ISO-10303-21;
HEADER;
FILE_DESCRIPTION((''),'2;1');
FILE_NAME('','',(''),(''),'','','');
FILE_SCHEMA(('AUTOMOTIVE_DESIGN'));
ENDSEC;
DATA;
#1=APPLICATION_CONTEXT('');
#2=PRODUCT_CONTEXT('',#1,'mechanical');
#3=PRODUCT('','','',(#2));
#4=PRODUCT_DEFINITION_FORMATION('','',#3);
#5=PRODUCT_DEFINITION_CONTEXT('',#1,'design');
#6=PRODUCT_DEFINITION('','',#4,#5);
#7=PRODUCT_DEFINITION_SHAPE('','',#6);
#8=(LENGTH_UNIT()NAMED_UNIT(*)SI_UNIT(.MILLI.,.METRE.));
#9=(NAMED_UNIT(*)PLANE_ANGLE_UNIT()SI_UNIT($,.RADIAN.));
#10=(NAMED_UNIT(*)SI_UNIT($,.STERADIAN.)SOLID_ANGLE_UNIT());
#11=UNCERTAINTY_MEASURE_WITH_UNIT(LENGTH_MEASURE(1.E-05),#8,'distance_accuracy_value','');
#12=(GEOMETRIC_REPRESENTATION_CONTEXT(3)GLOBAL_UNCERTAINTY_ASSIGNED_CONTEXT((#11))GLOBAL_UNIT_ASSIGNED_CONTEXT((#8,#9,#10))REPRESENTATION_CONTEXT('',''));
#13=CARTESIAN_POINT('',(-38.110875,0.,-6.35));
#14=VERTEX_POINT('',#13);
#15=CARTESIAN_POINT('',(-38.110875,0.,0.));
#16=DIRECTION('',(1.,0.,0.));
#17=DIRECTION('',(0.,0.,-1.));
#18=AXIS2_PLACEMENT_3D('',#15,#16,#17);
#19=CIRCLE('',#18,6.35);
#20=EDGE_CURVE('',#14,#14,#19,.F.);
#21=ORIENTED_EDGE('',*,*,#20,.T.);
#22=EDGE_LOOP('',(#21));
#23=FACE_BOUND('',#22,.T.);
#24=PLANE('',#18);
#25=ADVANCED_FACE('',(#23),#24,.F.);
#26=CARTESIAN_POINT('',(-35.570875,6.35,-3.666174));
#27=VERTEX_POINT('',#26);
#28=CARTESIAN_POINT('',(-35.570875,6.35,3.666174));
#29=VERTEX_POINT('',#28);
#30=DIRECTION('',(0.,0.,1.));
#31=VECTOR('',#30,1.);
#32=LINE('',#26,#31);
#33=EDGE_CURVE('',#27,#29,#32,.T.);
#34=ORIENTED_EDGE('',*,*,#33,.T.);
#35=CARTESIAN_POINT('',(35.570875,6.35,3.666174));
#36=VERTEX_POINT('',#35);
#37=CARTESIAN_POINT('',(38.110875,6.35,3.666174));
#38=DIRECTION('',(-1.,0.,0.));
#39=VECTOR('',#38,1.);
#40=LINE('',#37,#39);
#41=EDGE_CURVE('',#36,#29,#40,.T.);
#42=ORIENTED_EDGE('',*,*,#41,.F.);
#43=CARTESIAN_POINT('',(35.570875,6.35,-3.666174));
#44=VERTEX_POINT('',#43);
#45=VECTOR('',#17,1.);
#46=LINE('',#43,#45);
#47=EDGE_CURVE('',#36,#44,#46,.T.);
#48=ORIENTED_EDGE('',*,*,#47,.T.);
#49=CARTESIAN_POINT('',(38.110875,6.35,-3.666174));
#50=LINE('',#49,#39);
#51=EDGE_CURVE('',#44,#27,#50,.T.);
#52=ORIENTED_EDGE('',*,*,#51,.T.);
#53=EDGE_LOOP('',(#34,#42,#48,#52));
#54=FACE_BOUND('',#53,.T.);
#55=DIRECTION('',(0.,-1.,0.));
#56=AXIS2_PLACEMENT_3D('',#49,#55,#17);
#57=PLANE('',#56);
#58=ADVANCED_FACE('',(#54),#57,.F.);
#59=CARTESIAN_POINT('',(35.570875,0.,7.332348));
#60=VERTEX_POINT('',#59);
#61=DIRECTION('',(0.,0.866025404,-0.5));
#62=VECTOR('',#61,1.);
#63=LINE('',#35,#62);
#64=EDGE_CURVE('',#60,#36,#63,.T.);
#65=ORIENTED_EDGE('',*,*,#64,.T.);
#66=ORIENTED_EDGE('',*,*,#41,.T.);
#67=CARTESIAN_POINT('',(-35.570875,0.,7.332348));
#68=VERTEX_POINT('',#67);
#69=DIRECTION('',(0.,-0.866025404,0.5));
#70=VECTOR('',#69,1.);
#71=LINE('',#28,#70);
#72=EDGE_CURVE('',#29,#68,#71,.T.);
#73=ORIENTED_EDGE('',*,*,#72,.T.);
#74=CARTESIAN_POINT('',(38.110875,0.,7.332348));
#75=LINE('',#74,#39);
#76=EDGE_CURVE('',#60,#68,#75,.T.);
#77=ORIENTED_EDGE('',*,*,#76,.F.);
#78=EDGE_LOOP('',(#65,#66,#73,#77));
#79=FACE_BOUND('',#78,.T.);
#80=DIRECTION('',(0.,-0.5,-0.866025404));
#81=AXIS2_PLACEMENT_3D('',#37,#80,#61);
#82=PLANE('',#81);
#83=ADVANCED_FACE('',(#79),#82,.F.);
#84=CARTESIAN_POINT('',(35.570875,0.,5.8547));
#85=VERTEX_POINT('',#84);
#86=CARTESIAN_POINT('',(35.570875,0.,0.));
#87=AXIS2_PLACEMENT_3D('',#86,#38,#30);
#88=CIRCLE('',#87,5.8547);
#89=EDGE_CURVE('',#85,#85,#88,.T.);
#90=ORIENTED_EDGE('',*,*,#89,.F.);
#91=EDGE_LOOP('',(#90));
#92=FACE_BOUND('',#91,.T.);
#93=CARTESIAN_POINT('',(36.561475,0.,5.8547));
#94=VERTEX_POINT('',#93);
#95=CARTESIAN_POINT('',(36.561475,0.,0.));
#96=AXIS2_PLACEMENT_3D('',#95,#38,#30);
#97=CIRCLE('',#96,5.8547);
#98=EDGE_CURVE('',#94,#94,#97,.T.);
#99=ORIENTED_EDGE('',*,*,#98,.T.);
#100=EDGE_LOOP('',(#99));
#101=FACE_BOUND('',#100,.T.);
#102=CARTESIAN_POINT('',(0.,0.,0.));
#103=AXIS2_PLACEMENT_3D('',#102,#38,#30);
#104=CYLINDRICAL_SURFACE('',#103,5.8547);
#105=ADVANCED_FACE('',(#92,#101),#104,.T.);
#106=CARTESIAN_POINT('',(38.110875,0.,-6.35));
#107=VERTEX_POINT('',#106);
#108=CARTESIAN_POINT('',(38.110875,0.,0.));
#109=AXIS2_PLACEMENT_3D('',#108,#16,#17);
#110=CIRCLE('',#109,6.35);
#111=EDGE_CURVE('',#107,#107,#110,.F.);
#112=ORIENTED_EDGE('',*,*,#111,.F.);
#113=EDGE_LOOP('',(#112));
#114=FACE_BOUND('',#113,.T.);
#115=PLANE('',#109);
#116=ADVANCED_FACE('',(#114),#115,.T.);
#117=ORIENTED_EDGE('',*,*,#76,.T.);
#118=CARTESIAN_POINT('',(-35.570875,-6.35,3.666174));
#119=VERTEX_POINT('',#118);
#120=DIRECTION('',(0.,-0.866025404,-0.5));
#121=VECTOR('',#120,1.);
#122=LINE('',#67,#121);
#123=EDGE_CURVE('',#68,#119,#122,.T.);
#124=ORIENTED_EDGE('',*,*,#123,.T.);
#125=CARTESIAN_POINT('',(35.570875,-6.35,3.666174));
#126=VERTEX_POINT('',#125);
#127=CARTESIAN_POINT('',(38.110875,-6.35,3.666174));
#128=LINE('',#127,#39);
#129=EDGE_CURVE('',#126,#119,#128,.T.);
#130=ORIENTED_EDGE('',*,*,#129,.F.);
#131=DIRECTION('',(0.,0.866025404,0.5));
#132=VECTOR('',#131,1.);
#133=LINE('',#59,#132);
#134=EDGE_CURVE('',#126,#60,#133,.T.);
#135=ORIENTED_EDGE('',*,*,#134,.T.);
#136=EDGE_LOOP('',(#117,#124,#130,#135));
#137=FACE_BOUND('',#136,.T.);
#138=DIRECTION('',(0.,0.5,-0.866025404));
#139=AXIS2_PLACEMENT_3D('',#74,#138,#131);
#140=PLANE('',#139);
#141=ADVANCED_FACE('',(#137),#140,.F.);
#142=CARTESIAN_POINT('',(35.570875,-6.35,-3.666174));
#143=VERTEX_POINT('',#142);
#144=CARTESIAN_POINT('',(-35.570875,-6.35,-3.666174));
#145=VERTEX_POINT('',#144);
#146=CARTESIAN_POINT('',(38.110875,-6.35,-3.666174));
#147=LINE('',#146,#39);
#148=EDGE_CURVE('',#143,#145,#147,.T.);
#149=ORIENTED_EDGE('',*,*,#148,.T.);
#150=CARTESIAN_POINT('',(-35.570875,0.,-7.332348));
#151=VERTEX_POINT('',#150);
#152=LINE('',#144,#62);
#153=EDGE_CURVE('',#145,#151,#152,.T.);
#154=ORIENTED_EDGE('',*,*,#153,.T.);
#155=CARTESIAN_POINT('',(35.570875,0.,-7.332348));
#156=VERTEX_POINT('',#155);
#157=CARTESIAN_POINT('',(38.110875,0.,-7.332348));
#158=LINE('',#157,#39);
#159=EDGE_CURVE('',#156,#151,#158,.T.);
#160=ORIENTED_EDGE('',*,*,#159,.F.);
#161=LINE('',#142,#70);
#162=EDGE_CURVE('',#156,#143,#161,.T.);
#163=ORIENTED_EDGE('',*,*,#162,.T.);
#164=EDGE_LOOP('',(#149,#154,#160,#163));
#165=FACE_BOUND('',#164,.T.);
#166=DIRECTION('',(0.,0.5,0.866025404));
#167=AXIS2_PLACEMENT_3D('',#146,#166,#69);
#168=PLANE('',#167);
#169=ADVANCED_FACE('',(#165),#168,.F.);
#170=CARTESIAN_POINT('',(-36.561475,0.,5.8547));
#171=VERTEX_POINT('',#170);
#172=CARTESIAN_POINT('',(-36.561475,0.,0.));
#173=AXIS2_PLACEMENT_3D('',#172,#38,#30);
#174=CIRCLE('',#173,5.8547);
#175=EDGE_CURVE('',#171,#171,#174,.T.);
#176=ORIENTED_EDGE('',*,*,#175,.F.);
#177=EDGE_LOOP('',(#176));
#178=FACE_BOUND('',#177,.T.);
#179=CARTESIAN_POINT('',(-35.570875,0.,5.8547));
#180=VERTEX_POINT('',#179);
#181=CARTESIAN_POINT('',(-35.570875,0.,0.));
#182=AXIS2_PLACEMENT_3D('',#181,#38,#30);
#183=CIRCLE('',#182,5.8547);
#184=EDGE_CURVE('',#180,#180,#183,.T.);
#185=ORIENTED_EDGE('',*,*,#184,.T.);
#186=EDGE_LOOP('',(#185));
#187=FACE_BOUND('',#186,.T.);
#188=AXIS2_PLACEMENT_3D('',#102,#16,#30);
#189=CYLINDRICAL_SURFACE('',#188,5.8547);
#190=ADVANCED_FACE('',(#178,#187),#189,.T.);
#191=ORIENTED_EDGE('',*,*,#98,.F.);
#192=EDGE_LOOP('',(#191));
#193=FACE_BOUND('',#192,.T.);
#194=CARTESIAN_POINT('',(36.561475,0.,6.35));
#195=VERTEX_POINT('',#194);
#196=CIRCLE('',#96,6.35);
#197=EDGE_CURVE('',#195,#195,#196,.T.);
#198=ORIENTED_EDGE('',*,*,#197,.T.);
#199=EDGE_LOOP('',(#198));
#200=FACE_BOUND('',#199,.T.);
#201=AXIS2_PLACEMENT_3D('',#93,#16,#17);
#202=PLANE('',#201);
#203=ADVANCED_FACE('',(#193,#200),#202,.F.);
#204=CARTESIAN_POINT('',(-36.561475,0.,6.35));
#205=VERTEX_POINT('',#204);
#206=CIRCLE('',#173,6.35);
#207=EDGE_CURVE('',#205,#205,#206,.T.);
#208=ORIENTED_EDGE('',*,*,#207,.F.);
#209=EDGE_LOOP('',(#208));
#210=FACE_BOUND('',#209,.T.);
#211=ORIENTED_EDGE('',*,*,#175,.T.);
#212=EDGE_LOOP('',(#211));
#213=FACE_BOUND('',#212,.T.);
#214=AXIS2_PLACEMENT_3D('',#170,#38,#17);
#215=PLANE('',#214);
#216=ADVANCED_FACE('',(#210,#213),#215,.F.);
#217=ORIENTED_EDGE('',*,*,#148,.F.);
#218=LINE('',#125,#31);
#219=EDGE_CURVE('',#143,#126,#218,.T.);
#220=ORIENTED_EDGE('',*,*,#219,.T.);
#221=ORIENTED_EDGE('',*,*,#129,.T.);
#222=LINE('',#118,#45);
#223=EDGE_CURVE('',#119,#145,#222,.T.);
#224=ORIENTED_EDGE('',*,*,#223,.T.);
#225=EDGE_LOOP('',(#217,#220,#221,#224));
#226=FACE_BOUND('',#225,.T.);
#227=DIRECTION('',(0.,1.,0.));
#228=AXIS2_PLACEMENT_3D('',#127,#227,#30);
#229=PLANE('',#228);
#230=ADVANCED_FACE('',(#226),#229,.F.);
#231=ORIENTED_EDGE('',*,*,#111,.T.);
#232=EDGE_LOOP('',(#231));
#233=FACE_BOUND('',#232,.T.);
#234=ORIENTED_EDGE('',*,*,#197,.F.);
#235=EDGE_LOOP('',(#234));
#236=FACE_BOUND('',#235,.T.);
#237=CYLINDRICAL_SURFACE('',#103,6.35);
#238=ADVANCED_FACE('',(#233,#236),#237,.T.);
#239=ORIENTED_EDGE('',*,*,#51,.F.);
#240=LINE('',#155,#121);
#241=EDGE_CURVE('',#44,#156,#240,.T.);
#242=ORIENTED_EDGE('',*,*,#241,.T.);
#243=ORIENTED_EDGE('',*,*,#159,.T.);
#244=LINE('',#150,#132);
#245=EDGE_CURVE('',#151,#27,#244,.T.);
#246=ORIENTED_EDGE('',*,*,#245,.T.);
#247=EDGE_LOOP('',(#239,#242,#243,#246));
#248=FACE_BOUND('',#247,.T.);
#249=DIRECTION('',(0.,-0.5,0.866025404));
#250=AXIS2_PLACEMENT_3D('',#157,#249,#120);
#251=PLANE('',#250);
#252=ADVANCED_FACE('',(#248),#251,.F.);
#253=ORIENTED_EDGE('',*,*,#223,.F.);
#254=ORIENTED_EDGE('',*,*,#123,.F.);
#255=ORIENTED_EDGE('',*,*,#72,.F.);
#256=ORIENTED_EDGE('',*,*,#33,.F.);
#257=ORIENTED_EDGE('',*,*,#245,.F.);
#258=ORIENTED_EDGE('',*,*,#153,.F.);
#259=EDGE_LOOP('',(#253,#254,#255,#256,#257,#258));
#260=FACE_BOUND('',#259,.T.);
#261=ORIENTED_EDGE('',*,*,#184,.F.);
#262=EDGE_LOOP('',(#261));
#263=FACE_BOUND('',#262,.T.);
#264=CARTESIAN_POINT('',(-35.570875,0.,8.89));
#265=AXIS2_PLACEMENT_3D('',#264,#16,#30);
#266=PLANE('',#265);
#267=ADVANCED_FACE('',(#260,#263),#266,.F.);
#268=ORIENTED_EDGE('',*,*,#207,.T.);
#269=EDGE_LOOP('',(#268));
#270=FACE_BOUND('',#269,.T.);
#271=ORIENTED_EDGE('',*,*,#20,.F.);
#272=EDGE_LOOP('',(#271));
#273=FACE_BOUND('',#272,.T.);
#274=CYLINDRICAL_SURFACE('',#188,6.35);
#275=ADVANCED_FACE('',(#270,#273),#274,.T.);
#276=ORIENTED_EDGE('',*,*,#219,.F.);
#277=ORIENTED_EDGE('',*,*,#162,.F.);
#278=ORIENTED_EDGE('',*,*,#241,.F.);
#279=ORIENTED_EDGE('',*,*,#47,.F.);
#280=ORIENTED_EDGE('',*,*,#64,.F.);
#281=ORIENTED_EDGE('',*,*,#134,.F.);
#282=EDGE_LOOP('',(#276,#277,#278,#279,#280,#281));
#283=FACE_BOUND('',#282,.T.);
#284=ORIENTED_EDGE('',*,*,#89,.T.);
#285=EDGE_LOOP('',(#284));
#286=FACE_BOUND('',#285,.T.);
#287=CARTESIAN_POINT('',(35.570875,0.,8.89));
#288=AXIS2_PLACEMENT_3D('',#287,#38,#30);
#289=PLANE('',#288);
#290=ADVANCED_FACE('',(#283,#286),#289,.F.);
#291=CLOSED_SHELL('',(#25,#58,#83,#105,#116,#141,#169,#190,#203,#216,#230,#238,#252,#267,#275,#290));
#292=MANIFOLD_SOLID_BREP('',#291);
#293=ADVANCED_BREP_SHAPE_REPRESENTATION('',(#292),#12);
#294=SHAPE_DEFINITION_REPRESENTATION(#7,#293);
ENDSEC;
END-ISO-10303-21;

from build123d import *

# Parameters (mm, degrees)
BOSS_EXTRUDE1_DEPTH = 38.11087501


with BuildPart() as part:
    # Sketch1 → Boss-Extrude1 (new, symmetric)
    with BuildSketch(Plane(origin=(0, 0, 0), x_dir=(0, 0, -1), z_dir=(1, 0, 0))):
        Polygon((7.332348419, 0), (3.666174209, 6.35), (-3.666174209, 6.35), (-7.332348419, 0), (-3.666174209, -6.35), (3.666174209, -6.35), align=None)
    extrude(amount=BOSS_EXTRUDE1_DEPTH, both=True)

    # Sketch2 → Cut-Revolve1 (revolve, cut)
    with BuildSketch(Plane(origin=(0, 0, 0), x_dir=(1, 0, 0), z_dir=(0, 1, 0))):
        Polygon((35.57087501, -5.8547), (36.56147501, -5.8547), (36.56147501, -6.35), (38.11087501, -6.35), (38.11087501, -8.89), (35.57087501, -8.89), align=None)
    cut_revolve1 = revolve(axis=Axis((0, 0, 0), (1, 0, 0)), mode=Mode.SUBTRACT)

    # Mirror1: Cut-Revolve1 across plane
    add(cut_revolve1.mirror(Plane(origin=(0, 0, 0), x_dir=(0, 0, 1), z_dir=(1, 0, 0))), mode=Mode.SUBTRACT)


solid = part.part
